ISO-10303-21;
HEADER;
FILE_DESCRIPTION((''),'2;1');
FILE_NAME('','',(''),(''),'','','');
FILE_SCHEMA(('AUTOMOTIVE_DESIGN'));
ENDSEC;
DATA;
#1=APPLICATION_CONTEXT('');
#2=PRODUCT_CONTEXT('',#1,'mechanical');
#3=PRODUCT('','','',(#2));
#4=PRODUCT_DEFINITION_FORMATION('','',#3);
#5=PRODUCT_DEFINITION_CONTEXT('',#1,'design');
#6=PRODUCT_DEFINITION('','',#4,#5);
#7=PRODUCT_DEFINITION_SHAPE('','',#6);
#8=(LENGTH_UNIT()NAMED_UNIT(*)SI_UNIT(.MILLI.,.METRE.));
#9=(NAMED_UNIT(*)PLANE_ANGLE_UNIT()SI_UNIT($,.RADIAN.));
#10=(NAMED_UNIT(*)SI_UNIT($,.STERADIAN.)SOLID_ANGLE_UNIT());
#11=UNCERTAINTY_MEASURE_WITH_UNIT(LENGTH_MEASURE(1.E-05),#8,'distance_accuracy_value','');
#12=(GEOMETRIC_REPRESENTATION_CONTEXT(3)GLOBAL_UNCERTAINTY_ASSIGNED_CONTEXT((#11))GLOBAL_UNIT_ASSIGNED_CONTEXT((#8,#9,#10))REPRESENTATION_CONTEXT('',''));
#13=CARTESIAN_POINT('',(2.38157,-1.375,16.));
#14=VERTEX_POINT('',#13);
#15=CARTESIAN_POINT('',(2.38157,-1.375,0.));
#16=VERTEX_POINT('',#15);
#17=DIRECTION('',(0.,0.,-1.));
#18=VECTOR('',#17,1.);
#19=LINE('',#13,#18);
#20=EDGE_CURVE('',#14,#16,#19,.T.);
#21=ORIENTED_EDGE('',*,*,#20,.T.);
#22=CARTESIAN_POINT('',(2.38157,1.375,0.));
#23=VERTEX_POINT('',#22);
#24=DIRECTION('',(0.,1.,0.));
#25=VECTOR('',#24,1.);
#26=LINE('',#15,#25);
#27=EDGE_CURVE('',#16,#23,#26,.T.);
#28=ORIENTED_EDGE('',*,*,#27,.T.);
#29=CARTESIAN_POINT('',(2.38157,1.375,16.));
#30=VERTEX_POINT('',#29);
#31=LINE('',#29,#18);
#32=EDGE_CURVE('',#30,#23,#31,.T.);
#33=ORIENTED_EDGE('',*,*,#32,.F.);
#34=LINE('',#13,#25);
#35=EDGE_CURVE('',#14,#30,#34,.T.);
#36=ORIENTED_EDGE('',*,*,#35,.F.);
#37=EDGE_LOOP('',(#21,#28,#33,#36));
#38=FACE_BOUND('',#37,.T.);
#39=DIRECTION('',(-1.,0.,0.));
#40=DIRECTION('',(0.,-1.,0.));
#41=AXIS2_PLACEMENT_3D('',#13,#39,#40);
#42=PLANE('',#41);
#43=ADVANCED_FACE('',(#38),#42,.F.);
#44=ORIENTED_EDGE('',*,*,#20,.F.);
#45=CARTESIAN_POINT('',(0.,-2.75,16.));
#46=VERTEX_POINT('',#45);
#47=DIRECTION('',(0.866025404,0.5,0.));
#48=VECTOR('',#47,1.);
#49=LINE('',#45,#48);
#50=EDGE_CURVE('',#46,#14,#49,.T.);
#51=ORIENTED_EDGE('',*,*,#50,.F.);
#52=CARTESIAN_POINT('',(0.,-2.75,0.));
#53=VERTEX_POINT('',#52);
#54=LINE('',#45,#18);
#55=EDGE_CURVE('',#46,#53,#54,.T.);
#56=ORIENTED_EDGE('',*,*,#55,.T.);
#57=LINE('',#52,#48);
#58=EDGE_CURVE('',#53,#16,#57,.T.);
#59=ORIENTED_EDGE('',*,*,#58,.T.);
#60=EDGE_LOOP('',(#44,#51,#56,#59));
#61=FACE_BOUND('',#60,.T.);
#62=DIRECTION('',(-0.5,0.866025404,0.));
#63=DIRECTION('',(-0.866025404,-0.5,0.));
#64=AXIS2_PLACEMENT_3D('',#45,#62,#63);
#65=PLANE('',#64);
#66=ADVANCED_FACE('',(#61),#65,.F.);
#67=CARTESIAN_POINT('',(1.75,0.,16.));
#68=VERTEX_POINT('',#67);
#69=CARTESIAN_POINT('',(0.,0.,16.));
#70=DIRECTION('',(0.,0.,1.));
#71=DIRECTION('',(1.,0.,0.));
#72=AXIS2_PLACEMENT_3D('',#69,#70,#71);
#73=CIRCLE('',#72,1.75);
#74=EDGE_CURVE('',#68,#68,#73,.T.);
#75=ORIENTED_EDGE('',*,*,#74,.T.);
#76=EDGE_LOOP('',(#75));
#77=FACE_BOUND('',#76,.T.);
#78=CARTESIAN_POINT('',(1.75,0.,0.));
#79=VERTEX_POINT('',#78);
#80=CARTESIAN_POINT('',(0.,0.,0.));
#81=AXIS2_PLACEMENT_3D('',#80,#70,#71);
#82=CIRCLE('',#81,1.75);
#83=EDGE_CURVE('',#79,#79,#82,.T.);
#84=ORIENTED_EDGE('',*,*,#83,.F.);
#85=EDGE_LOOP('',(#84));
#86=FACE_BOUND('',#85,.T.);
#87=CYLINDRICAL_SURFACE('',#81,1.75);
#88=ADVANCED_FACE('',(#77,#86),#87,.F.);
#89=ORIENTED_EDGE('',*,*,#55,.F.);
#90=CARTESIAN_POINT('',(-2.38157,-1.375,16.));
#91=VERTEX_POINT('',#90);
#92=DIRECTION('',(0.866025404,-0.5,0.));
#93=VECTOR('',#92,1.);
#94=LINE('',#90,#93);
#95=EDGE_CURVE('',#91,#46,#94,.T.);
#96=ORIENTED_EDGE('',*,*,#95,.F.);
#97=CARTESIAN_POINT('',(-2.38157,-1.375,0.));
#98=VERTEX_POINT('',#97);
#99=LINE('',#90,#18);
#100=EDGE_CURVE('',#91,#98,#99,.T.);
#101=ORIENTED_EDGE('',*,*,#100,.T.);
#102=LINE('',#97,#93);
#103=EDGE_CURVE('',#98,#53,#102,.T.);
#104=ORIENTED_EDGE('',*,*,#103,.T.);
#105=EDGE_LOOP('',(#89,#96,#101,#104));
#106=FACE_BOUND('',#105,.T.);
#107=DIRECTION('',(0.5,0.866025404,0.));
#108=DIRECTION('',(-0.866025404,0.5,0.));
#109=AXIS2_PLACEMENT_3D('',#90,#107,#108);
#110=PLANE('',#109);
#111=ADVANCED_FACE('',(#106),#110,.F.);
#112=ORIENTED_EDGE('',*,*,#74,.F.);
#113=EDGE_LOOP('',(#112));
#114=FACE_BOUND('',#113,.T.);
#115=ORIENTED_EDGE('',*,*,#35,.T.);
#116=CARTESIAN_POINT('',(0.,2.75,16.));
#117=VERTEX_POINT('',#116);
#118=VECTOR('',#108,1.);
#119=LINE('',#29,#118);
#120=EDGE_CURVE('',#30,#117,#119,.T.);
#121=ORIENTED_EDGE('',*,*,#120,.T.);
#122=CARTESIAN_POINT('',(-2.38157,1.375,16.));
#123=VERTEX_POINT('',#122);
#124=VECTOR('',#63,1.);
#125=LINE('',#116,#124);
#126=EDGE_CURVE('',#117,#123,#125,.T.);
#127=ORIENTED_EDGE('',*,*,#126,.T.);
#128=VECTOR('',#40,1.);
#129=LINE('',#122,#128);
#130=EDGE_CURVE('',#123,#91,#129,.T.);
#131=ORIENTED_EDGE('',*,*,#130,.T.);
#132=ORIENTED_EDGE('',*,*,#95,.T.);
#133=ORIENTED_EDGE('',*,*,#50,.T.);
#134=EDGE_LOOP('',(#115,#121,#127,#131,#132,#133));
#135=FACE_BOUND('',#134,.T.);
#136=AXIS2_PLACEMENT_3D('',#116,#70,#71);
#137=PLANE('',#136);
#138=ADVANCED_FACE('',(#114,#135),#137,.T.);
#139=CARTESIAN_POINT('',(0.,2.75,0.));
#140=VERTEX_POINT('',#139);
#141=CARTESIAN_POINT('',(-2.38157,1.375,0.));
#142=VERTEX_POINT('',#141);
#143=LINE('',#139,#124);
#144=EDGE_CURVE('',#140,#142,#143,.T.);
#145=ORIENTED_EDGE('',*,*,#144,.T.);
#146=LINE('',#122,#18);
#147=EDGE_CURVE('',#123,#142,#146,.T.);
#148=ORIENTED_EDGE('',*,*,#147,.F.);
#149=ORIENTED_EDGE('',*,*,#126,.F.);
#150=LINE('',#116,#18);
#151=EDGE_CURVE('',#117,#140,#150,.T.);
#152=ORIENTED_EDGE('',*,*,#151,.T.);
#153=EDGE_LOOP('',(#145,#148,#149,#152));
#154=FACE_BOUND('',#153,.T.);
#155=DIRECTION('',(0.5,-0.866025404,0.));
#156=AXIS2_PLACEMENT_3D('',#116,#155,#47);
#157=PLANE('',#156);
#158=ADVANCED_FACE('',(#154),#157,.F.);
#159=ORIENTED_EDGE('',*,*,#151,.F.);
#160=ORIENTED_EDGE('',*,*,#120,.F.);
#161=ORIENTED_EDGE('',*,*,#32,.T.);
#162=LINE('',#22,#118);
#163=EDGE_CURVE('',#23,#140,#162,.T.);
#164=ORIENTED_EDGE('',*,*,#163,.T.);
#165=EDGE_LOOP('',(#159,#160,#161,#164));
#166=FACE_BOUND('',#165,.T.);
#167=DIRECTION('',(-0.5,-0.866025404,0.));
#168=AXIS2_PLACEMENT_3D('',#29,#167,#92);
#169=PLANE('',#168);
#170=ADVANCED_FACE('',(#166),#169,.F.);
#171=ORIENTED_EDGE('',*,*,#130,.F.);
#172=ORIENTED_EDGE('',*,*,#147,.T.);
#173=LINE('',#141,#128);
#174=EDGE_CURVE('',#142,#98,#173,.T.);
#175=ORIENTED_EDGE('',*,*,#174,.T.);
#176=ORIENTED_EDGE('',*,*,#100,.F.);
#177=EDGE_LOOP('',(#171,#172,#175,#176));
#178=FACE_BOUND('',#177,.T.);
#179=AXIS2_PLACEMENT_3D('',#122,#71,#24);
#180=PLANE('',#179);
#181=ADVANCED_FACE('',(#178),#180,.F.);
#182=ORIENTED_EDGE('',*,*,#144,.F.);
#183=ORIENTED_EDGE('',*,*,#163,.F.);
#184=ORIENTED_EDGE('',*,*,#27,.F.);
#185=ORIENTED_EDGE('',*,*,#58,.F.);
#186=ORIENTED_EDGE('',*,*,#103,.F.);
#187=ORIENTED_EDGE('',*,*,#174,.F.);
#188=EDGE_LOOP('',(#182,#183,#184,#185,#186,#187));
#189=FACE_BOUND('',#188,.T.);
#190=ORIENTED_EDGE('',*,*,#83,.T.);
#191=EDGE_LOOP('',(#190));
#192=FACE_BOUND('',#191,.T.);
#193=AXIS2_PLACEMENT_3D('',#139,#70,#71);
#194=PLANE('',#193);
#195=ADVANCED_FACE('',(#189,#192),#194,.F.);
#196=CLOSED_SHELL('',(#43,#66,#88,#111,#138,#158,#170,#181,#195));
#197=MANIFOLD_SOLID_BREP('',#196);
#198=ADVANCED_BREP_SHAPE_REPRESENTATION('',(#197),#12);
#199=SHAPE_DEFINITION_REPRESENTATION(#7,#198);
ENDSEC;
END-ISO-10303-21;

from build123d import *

# Parameters (mm, degrees)
BOSS_EXTRUDE1_DEPTH = 16
SKETCH2_R           = 1.75
CUT_EXTRUDE1_DEPTH  = 17.408362959


with BuildPart() as part:
    # Sketch1 → Boss-Extrude1 (new body)
    with BuildSketch(Plane.XY):
        Polygon((0, 2.75), (-2.38156986, 1.375), (-2.38156986, -1.375), (0, -2.75), (2.38156986, -1.375), (2.38156986, 1.375), align=None)
    extrude(amount=BOSS_EXTRUDE1_DEPTH)

    # Sketch2 → Cut-Extrude1 (cut, through all)
    with BuildSketch(Plane.XY.offset(16)):
        Circle(SKETCH2_R)
    extrude(amount=-CUT_EXTRUDE1_DEPTH, mode=Mode.SUBTRACT)


solid = part.part
